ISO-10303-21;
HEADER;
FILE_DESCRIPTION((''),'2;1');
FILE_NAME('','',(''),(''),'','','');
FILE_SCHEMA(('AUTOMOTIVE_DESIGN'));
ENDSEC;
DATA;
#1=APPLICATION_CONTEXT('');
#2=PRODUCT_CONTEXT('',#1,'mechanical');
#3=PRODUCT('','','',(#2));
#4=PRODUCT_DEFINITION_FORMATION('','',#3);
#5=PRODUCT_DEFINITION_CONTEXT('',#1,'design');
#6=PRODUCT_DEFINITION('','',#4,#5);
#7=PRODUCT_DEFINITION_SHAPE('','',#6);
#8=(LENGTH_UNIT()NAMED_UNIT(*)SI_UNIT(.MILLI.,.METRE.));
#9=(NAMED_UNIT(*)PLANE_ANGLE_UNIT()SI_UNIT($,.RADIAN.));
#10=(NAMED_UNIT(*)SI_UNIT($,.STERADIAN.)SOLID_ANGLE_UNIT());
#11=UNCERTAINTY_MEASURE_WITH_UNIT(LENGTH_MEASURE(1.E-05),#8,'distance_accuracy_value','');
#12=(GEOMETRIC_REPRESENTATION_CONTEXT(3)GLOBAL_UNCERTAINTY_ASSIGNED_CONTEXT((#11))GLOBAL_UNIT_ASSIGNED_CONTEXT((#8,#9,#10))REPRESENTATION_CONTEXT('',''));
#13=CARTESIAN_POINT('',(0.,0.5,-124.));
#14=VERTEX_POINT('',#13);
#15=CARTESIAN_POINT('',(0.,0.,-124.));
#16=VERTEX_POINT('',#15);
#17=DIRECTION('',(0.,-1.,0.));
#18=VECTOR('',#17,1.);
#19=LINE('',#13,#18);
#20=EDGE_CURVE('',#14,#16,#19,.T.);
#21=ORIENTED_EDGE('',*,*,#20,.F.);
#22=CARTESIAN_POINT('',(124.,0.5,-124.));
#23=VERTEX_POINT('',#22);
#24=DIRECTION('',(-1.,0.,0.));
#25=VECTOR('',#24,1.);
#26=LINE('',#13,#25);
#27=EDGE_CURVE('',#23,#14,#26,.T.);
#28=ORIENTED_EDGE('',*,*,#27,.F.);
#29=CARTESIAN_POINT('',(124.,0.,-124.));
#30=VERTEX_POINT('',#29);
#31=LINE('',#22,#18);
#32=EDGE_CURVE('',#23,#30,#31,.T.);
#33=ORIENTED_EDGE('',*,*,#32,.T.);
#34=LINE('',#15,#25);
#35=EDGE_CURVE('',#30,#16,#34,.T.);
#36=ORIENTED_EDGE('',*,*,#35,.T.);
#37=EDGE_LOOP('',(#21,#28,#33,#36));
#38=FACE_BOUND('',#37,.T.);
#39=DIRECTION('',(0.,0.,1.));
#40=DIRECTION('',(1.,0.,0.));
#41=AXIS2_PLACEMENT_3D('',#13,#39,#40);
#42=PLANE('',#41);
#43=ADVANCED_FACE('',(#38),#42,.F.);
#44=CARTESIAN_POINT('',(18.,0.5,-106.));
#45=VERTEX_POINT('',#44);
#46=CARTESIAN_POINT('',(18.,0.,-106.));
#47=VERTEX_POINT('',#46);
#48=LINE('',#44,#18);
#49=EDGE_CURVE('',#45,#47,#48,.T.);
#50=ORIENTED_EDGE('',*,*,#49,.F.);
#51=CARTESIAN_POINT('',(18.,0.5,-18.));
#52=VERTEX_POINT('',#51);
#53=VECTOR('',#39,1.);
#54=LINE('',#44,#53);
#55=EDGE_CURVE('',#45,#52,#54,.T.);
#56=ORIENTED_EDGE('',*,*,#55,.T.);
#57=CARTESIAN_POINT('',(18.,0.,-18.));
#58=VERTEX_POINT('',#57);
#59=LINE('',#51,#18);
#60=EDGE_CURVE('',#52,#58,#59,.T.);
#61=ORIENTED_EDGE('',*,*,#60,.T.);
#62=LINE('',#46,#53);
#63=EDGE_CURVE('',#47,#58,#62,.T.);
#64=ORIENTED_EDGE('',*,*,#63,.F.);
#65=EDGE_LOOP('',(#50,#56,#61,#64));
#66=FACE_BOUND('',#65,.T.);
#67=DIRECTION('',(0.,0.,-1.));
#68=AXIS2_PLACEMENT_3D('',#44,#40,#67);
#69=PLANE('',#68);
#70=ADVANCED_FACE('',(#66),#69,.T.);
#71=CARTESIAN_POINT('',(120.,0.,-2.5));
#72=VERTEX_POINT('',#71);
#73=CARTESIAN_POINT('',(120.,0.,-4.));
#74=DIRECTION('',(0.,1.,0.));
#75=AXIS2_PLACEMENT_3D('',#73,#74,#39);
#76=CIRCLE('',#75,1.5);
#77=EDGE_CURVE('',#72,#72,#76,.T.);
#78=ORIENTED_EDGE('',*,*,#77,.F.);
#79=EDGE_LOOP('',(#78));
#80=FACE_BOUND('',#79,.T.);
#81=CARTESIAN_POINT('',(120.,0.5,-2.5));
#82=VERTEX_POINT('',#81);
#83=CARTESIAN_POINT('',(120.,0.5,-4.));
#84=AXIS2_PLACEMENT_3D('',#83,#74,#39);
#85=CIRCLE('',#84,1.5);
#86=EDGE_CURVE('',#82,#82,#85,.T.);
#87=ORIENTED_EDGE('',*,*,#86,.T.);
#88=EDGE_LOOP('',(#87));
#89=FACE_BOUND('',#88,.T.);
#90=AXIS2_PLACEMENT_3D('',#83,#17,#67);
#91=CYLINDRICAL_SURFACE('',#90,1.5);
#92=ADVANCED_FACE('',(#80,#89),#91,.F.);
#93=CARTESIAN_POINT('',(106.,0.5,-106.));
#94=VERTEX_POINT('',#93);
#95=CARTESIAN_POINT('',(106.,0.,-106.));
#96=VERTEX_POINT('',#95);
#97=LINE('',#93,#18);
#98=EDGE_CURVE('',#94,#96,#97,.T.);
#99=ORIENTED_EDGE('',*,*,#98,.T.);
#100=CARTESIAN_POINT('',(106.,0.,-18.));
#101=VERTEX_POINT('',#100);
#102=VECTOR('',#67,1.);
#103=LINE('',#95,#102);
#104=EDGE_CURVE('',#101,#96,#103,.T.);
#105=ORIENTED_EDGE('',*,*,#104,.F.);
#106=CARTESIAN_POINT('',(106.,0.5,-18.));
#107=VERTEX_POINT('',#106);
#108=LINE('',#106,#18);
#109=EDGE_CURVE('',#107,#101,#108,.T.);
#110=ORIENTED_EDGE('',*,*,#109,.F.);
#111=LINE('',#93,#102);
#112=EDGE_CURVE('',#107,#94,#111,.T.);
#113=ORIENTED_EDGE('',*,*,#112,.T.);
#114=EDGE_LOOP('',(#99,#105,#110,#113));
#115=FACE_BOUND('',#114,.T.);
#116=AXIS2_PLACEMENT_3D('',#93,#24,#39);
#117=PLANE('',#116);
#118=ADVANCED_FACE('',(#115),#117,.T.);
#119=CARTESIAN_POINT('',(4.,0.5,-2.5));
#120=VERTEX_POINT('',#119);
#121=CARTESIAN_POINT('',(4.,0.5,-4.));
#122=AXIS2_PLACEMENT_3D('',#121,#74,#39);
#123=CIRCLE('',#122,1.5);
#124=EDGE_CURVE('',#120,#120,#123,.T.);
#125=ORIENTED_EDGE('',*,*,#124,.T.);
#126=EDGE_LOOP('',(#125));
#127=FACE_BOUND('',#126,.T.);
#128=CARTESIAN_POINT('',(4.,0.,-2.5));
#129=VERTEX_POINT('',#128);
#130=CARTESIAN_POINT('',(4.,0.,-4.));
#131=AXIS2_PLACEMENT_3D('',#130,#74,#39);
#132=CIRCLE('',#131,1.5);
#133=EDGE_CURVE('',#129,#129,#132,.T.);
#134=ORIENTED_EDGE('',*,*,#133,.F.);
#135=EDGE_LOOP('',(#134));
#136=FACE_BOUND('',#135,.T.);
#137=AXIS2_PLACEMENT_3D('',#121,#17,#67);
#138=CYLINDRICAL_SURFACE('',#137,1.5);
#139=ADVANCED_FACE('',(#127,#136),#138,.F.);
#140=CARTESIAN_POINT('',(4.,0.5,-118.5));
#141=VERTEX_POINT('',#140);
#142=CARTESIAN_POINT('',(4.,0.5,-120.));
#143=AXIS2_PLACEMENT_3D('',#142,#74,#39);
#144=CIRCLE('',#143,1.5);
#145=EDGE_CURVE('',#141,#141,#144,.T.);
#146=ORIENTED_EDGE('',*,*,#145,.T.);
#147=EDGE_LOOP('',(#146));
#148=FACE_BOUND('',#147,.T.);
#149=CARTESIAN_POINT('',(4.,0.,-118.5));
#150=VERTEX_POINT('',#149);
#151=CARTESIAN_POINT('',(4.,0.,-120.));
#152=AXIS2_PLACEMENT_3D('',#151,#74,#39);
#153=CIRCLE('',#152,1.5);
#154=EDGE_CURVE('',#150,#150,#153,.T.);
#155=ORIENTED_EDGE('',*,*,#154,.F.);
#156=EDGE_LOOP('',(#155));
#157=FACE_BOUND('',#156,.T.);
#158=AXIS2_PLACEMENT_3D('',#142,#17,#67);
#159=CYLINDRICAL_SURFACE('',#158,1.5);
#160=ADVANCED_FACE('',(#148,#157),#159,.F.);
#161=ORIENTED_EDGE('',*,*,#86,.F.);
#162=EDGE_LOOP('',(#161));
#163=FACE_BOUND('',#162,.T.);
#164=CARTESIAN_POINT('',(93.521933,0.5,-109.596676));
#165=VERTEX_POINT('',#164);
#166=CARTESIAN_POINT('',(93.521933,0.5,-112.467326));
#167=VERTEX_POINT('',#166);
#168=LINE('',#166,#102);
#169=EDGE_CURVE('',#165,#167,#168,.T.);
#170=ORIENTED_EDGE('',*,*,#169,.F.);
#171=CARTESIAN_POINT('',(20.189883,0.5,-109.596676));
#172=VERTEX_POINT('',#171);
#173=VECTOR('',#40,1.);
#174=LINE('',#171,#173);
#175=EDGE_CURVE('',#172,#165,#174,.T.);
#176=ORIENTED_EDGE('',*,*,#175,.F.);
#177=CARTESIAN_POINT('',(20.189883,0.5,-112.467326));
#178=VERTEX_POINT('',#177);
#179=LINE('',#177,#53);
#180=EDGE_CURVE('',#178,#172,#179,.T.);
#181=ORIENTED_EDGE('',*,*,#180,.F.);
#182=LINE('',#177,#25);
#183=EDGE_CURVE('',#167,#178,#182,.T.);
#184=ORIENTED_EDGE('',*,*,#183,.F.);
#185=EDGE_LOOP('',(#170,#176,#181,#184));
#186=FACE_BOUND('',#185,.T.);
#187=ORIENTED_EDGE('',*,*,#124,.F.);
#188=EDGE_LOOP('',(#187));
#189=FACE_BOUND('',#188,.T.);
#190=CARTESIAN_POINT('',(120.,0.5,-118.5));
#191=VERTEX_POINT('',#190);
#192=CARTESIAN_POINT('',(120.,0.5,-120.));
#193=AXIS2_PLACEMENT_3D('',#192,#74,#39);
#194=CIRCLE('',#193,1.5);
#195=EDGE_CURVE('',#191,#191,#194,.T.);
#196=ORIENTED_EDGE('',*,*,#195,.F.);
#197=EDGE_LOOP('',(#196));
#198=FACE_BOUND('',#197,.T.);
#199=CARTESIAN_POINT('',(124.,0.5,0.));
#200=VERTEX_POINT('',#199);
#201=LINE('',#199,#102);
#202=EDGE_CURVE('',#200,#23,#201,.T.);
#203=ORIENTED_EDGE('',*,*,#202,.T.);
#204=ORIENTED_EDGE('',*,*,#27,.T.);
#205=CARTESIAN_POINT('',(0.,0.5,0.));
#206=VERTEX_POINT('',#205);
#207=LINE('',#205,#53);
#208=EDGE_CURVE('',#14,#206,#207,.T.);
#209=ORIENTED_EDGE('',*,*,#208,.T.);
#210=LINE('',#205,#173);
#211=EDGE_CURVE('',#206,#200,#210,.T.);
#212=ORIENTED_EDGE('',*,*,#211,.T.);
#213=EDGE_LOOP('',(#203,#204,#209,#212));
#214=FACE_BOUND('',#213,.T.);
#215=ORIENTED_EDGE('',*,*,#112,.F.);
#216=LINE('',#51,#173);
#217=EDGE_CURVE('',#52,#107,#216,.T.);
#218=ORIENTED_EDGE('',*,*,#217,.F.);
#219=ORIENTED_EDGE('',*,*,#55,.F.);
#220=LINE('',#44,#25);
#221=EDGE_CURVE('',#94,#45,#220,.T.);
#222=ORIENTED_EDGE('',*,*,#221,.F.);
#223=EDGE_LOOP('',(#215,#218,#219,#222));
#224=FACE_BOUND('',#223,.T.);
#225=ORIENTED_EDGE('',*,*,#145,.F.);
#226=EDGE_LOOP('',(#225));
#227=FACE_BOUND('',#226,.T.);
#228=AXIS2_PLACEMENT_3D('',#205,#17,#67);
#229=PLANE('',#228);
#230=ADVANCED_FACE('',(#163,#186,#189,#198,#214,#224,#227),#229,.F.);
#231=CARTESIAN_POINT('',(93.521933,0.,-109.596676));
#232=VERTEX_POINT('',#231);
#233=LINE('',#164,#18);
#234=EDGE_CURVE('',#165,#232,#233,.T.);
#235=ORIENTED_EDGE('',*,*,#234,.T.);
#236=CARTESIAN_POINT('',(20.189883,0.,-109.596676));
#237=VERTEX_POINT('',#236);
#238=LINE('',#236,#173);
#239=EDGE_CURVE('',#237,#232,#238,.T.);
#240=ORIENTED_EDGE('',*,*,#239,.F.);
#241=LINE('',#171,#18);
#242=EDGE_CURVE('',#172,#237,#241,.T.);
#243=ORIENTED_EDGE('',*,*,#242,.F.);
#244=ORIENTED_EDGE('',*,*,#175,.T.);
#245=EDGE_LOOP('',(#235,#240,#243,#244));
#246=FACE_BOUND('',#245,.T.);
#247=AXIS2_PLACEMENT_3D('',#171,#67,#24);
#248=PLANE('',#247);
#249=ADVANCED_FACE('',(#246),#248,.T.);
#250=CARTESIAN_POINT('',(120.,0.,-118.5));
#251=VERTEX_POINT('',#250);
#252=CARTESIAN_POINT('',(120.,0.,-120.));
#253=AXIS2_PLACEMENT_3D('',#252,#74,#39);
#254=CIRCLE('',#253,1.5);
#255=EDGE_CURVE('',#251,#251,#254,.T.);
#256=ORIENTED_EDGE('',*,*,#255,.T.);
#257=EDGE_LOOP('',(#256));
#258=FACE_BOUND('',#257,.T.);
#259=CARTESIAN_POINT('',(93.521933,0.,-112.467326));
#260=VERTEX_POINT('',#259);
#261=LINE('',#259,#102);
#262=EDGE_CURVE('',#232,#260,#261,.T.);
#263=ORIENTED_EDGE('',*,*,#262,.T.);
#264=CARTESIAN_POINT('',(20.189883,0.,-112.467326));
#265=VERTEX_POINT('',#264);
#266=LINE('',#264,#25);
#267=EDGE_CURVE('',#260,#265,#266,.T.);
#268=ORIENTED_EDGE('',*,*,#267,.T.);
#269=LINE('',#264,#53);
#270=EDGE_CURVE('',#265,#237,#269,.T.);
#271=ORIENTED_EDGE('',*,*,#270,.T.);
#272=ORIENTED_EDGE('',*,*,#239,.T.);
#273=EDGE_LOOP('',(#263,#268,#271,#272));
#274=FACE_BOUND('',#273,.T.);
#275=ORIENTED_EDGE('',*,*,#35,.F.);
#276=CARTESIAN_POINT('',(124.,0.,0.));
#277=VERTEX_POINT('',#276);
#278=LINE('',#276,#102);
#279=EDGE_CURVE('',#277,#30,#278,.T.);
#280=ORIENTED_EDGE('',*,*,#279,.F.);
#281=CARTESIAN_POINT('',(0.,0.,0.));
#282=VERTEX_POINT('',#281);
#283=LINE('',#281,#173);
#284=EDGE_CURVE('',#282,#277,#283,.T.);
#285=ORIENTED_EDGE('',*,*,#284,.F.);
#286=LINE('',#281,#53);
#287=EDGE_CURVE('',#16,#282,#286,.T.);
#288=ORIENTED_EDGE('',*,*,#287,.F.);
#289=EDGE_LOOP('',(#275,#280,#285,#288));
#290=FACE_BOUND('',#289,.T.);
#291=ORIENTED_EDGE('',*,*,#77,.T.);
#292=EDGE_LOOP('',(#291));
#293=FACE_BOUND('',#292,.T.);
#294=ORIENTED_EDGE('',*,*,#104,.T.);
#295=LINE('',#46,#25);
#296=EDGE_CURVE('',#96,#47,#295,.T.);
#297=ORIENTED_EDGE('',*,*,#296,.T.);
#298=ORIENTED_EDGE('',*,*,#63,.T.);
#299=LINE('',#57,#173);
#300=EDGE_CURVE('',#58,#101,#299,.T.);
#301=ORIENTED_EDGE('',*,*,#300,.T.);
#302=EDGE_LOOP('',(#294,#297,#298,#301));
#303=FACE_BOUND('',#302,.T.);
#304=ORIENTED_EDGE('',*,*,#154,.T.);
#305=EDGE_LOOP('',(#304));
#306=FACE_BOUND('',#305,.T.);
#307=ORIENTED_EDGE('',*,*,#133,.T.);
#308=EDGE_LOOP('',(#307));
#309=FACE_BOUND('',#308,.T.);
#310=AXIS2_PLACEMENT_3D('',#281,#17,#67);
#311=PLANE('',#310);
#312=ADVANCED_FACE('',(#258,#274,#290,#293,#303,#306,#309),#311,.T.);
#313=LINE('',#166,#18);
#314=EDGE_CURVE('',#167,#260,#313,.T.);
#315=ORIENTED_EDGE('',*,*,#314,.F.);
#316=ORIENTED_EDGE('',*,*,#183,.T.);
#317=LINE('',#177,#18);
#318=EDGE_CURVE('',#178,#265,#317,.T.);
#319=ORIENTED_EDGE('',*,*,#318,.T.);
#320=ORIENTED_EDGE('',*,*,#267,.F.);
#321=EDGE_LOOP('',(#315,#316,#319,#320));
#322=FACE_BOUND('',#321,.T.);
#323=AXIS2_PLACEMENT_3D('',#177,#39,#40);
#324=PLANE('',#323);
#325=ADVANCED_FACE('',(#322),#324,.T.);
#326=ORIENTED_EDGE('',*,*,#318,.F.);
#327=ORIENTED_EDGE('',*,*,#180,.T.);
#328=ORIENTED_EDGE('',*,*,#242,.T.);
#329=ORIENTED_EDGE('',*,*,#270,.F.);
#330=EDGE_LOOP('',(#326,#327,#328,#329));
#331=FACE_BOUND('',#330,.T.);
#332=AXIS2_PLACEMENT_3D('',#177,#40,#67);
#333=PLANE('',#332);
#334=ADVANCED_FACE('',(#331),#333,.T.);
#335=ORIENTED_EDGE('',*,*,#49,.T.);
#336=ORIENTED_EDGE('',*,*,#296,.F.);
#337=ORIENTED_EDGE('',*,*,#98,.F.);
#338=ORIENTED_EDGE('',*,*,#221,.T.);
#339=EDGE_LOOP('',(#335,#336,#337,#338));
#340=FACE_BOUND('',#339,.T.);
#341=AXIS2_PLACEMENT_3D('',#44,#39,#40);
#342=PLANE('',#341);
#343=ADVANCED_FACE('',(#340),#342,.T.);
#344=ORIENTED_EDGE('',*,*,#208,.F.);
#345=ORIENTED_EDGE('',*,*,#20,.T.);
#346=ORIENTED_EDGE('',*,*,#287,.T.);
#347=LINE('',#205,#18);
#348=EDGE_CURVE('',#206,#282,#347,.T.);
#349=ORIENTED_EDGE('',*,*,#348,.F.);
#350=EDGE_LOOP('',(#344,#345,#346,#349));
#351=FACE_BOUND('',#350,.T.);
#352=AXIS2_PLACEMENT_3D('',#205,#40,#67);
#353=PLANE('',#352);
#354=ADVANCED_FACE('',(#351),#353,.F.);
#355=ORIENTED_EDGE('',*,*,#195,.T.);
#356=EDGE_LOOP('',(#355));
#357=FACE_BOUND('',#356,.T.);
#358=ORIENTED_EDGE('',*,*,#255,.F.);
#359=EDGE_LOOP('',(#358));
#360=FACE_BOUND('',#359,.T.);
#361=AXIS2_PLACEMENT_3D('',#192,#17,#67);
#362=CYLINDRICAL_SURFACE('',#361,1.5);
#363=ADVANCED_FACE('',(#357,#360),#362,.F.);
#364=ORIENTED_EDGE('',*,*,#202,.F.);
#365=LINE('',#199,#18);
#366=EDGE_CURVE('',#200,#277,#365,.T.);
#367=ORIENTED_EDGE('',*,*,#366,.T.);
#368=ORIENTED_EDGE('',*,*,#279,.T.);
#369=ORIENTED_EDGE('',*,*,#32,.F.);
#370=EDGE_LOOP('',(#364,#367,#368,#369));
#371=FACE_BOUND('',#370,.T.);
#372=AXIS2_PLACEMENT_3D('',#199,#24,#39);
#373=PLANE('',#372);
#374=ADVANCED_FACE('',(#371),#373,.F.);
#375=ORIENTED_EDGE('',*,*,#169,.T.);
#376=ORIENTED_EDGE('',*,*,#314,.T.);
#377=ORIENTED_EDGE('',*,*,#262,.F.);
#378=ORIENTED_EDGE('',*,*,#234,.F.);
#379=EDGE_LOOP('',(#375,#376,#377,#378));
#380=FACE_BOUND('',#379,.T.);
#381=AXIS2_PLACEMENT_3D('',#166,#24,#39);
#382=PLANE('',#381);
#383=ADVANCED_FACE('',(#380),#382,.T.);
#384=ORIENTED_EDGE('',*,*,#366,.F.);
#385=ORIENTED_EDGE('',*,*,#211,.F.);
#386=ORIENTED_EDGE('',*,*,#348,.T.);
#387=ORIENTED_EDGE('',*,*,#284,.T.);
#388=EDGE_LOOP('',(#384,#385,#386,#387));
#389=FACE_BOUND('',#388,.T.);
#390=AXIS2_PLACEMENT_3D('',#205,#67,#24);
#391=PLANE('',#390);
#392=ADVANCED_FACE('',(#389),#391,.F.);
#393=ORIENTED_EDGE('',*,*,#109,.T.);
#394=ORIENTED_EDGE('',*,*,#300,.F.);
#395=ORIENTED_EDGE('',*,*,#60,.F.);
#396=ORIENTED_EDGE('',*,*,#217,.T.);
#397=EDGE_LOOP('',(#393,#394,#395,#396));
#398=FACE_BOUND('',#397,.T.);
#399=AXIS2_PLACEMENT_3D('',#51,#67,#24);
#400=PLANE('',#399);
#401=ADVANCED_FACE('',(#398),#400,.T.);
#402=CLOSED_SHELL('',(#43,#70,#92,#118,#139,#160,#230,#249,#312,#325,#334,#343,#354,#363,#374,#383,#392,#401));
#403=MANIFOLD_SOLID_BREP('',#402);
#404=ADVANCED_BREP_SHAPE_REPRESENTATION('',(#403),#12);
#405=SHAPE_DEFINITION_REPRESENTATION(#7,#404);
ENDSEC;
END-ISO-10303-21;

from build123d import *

# Parameters (mm, degrees)
SKETCH_1_W      = 124
SKETCH_1_H      = 124
SKETCH_1_R      = 1.5
SKETCH_1_W_2    = 88
SKETCH_1_H_2    = 88
SKETCH_1_W_3    = 73.332050418
SKETCH_1_H_3    = 2.87064966
EXTRUDE_1_DEPTH = 0.5


with BuildPart() as part:
    # Эскиз1 → Бобышка-Вытянуть1 (new body)
    with BuildSketch(Plane(origin=(0, 0, 0), x_dir=(1, 0, 0), z_dir=(0, 1, 0))):
        with Locations((62, 62)):
            Rectangle(SKETCH_1_W, SKETCH_1_H)
        with Locations((4, 120)):
            Circle(SKETCH_1_R, mode=Mode.SUBTRACT)
        with Locations((120, 120)):
            Circle(SKETCH_1_R, mode=Mode.SUBTRACT)
        with Locations((120, 4)):
            Circle(SKETCH_1_R, mode=Mode.SUBTRACT)
        with Locations((4, 4)):
            Circle(SKETCH_1_R, mode=Mode.SUBTRACT)
        with Locations((62, 62)):
            Rectangle(SKETCH_1_W_2, SKETCH_1_H_2, mode=Mode.SUBTRACT)
        with Locations((56.855908172, 111.032001236)):
            Rectangle(SKETCH_1_W_3, SKETCH_1_H_3, mode=Mode.SUBTRACT)
    extrude(amount=EXTRUDE_1_DEPTH)


solid = part.part
